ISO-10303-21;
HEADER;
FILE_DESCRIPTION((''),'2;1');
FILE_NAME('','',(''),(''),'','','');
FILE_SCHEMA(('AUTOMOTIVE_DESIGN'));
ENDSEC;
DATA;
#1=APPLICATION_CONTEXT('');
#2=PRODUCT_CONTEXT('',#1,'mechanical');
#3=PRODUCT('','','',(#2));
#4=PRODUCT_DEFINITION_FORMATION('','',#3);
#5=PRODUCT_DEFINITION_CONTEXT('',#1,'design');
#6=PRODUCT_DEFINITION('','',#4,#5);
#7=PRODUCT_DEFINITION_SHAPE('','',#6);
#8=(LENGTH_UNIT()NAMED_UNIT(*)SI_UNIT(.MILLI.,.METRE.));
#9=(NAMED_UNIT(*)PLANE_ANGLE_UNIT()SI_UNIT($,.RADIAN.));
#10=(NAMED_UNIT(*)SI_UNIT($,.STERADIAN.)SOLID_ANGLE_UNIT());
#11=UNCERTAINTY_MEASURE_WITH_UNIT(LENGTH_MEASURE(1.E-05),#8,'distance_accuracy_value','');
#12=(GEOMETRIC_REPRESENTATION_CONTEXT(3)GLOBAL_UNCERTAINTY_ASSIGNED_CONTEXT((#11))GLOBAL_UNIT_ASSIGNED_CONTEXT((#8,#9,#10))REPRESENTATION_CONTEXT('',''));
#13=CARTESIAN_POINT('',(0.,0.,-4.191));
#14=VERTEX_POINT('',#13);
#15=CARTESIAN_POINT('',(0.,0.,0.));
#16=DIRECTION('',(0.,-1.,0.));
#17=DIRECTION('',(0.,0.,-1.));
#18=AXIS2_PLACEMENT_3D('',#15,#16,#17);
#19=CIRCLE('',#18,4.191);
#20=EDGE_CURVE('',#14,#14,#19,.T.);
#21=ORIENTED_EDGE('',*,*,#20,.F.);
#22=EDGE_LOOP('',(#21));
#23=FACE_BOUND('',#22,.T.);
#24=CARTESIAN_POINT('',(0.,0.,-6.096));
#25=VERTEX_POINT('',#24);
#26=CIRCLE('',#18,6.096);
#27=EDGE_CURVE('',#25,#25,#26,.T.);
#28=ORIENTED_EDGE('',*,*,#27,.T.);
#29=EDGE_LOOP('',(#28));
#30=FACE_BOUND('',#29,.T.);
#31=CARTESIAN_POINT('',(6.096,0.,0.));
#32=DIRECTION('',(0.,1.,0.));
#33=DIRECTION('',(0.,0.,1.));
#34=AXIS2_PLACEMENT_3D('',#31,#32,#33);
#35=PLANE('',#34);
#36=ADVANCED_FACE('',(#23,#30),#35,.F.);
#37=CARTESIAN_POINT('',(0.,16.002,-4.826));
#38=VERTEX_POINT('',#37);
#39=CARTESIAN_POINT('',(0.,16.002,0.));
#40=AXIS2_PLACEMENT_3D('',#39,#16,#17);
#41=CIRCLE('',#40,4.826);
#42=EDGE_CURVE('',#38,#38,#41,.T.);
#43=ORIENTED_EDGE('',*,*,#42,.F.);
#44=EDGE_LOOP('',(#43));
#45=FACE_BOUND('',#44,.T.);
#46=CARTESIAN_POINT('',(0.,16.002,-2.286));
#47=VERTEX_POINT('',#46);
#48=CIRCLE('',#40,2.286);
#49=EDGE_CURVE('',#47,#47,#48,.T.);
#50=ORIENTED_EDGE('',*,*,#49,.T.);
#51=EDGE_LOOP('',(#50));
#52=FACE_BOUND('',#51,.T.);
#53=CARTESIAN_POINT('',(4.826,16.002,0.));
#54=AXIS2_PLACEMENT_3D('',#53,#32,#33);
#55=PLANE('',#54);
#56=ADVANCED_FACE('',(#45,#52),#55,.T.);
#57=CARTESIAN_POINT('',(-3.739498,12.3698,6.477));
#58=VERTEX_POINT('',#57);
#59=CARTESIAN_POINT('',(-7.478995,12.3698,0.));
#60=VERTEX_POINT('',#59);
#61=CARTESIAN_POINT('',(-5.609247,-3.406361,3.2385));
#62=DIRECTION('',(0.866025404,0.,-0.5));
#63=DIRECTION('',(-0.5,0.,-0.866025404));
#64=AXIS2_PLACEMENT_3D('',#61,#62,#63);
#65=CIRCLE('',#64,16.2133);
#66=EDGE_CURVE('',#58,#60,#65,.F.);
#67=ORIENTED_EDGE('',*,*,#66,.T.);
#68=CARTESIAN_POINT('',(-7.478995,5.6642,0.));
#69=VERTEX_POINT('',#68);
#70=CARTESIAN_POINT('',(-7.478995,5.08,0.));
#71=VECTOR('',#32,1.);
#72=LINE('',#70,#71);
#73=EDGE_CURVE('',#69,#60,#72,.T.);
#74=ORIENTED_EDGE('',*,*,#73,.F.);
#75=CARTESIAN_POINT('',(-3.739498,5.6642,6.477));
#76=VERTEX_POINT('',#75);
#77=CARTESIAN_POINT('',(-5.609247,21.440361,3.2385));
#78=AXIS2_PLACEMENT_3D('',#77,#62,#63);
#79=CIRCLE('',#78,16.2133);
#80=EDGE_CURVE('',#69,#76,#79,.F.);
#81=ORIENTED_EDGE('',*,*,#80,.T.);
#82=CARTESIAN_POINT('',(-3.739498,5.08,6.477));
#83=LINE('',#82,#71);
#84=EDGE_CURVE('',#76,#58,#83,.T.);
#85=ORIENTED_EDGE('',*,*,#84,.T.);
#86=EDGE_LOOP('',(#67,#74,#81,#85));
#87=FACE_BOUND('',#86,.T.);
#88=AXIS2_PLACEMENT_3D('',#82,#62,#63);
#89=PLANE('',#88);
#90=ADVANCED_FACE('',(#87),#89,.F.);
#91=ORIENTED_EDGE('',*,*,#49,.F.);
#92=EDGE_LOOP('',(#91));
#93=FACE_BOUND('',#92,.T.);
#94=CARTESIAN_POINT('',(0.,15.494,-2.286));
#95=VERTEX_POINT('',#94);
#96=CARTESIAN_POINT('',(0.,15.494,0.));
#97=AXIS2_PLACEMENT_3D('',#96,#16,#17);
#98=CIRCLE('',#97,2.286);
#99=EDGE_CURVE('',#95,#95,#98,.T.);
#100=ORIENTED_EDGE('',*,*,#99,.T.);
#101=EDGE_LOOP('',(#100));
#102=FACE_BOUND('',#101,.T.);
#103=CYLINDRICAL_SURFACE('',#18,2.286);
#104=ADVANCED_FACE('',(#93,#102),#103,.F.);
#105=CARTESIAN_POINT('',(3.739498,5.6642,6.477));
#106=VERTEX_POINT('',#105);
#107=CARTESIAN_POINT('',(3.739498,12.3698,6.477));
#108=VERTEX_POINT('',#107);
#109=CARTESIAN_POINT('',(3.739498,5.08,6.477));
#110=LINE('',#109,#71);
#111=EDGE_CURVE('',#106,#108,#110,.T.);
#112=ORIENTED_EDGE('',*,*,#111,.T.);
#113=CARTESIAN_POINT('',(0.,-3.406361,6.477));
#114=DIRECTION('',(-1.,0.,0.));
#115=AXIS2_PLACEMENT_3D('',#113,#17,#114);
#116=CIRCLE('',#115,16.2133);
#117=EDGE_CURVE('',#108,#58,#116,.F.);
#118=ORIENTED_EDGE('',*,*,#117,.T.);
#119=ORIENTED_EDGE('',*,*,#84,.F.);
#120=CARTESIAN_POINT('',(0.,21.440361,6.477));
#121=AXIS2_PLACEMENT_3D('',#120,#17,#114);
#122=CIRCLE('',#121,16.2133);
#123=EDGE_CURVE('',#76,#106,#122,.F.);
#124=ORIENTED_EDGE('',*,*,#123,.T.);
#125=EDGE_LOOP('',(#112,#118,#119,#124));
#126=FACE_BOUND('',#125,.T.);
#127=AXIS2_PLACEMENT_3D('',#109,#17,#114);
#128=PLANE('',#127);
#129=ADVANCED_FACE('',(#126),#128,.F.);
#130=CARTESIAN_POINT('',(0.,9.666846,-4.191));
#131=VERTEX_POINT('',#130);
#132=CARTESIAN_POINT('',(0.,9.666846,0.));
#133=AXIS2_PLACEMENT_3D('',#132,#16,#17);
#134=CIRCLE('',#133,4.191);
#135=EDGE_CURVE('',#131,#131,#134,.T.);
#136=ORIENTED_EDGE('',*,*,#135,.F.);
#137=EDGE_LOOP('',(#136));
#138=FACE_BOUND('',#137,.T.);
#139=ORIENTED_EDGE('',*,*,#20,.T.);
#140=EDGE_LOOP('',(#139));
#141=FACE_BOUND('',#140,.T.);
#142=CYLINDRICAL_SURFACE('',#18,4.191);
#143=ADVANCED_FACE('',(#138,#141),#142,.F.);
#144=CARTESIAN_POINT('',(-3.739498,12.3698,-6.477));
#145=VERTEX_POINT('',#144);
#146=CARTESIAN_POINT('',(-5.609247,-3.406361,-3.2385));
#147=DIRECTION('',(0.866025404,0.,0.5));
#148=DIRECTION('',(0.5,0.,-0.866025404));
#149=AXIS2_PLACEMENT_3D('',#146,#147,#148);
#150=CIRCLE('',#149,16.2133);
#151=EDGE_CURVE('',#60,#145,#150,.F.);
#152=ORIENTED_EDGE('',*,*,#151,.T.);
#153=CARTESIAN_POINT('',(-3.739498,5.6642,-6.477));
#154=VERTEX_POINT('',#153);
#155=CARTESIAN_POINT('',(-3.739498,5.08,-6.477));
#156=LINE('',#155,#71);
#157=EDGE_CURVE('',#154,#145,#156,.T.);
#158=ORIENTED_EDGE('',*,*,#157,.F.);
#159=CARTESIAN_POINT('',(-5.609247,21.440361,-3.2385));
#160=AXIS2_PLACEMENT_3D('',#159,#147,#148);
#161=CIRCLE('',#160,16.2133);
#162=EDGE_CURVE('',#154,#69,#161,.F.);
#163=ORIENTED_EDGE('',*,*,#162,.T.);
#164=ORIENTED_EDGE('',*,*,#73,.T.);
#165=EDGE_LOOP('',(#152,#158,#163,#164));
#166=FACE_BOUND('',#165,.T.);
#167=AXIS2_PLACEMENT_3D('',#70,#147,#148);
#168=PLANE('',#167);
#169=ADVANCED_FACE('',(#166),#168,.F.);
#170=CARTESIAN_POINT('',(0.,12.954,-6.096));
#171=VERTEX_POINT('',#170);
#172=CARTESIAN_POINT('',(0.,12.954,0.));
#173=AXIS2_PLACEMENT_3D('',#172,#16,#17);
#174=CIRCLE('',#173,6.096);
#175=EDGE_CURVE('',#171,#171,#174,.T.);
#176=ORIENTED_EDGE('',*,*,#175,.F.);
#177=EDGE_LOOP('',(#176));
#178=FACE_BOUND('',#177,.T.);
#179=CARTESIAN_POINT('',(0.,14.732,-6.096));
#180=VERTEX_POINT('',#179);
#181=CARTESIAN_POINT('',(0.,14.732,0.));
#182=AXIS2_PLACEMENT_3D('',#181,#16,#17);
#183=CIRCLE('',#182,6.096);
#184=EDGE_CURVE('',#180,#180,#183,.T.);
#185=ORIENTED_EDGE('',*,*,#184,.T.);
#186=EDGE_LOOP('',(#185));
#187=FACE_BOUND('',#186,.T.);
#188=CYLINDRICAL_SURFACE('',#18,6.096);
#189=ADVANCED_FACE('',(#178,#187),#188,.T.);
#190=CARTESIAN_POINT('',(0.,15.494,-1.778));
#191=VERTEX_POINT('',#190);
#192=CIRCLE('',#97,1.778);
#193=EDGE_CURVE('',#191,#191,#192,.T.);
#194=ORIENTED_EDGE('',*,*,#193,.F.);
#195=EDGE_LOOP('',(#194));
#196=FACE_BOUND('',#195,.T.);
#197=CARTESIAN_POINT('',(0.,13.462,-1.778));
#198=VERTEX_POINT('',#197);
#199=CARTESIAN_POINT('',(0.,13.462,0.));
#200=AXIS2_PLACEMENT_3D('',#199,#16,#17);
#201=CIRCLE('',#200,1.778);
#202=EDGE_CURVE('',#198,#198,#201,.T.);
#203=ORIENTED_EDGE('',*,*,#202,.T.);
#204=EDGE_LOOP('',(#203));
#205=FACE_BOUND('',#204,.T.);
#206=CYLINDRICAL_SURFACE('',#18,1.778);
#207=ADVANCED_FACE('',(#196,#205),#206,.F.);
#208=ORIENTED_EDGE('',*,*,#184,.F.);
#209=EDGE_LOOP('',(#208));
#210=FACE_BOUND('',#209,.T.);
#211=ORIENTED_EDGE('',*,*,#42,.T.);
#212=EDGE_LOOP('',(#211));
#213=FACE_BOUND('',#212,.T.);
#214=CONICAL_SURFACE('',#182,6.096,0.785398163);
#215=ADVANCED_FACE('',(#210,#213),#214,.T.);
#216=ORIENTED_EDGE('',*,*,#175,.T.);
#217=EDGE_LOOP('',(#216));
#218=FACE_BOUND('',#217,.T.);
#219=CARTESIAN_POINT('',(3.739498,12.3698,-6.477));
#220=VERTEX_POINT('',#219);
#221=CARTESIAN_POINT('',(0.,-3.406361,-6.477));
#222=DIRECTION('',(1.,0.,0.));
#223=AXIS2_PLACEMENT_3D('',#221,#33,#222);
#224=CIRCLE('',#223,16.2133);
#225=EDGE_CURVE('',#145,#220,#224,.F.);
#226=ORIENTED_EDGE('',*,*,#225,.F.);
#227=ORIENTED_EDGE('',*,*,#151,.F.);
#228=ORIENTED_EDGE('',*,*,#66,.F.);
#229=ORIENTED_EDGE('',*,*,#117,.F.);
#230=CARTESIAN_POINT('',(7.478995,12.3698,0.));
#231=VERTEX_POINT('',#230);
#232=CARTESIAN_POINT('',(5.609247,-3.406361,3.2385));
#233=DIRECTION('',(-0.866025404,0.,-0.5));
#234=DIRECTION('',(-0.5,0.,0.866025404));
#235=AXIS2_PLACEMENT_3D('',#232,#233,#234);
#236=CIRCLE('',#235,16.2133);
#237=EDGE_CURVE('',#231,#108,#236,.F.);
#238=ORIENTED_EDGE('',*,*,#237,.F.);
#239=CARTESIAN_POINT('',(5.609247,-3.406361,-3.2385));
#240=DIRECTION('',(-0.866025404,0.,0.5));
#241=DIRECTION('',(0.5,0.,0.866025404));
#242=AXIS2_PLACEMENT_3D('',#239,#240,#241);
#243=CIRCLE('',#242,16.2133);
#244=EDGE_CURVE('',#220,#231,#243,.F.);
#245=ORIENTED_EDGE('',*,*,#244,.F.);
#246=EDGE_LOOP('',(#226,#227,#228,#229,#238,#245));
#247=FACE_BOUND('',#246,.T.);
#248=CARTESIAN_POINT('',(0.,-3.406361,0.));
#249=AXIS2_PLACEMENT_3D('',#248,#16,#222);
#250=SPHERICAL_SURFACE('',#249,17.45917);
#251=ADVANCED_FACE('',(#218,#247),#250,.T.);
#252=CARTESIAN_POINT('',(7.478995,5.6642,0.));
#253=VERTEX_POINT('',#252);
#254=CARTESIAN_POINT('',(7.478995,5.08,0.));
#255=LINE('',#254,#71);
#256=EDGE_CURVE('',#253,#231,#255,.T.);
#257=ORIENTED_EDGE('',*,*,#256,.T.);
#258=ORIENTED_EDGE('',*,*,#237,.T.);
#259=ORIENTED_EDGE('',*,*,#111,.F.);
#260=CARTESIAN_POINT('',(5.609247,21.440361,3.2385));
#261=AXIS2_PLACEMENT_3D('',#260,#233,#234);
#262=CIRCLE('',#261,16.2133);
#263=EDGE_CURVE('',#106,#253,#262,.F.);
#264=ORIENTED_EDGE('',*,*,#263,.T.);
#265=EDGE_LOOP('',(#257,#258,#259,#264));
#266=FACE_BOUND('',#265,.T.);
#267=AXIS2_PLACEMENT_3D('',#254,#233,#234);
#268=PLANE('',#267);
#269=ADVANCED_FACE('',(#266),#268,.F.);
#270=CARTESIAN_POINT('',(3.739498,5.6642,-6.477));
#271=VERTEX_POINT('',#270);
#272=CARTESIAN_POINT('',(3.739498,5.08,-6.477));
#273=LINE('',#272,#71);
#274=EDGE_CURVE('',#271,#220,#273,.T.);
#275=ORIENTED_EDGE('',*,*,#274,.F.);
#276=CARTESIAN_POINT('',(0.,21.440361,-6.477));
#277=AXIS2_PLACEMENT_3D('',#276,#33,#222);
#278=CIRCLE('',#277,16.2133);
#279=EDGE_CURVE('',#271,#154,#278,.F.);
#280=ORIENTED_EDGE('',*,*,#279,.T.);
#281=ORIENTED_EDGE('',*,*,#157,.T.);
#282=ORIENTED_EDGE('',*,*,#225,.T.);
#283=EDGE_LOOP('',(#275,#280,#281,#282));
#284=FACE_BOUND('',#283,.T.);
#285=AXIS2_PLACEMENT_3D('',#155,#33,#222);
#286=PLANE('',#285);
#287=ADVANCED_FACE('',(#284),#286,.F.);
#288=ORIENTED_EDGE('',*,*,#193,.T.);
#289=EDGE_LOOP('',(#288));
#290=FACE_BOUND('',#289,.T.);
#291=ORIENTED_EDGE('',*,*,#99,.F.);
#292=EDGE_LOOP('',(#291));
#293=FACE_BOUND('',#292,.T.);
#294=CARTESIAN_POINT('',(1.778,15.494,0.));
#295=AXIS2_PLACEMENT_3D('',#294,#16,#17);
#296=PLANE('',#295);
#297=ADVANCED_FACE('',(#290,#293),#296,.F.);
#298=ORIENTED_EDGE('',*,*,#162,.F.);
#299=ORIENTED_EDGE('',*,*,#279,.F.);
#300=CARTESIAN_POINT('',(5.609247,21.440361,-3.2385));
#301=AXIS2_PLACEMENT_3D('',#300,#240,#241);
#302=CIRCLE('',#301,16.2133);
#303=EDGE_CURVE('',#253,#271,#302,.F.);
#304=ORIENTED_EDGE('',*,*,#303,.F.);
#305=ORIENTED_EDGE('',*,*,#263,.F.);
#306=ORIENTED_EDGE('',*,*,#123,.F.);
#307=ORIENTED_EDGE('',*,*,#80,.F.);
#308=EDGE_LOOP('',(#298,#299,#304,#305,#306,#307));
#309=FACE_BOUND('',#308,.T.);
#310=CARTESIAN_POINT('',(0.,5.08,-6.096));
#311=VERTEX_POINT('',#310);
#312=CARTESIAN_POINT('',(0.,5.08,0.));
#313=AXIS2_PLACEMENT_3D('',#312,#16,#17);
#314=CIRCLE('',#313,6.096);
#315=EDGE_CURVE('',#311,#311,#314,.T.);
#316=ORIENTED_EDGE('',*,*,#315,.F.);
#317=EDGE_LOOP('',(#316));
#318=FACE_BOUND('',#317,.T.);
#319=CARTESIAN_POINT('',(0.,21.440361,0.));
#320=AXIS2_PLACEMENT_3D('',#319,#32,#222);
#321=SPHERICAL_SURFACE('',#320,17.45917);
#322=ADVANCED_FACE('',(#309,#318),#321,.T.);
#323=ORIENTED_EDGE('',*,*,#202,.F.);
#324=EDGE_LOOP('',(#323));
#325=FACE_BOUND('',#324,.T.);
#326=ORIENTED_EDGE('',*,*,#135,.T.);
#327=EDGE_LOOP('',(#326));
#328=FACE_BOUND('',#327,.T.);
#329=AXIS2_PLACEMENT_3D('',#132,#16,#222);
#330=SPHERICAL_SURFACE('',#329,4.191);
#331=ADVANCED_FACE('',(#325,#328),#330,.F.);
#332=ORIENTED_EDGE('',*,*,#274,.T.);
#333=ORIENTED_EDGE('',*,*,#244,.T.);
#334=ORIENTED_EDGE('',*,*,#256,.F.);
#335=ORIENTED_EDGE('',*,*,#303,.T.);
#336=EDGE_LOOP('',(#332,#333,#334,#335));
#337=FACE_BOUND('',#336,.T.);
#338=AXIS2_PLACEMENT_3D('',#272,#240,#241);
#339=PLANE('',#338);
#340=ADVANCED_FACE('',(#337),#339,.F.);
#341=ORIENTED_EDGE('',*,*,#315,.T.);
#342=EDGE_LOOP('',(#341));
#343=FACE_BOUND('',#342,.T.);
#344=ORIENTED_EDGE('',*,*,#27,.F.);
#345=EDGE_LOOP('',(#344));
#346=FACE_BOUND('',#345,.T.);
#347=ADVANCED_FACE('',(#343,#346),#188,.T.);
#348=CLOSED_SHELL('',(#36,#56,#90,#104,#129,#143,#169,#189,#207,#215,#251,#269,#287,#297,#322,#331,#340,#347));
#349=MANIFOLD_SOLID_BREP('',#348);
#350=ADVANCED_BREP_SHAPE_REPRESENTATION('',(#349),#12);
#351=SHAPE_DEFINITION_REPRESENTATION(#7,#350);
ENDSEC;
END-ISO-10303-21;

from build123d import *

# Parameters (mm, degrees)
SKETCH3_R           = 6.096
BOSS_EXTRUDE1_DEPTH = 7.874


with BuildPart() as part:
    # Sketch1 → Base-Revolve (revolve)
    with BuildSketch(Plane.XY):
        with BuildLine():
            Line((6.096, 0), (6.096, 14.732))
            Line((6.096, 14.732), (4.826, 16.002))
            Line((4.826, 16.002), (2.286, 16.002))
            Line((2.286, 16.002), (2.286, 15.494))
            Line((2.286, 15.494), (1.778, 15.494))
            Line((1.778, 15.494), (1.778, 13.462))
            ThreePointArc((1.778, 13.462), (3.53667068, 11.915498853), (4.191, 9.666845589))
            Line((4.191, 9.666845589), (4.191, 0))
            Line((4.191, 0), (6.096, 0))
        make_face()
    revolve(axis=Axis((0, 0, 0), (0, 1, 0)))

    # Sketch3 → Boss-Extrude1 (add)
    with BuildSketch(Plane(origin=(0, 12.954, 0), x_dir=(-1, 0, 0), z_dir=(0, 1, 0))):
        Polygon((3.739497694, -6.477), (-3.739497694, -6.477), (-7.478995387, 0), (-3.739497694, 6.477), (3.739497694, 6.477), (7.478995387, 0), align=None)
        Circle(SKETCH3_R, mode=Mode.SUBTRACT)
    extrude(amount=-BOSS_EXTRUDE1_DEPTH)

    # Sketch4 → Cut-Revolve1 (revolve, cut)
    with BuildSketch(Plane.XY):
        with BuildLine():
            Line((7.478995387, 12.954), (6.096, 12.954))
            ThreePointArc((6.096, 12.954), (6.793780049, 12.676772421), (7.478995387, 12.3698))
            Line((7.478995387, 12.3698), (7.478995387, 12.954))
        make_face()
    cut_revolve1 = revolve(axis=Axis((0, 0, 0), (0, 1, 0)), mode=Mode.SUBTRACT)

    # Mirror1: Cut-Revolve1 across plane
    add(cut_revolve1.mirror(Plane.ZX.offset(9.017)), mode=Mode.SUBTRACT)


solid = part.part
